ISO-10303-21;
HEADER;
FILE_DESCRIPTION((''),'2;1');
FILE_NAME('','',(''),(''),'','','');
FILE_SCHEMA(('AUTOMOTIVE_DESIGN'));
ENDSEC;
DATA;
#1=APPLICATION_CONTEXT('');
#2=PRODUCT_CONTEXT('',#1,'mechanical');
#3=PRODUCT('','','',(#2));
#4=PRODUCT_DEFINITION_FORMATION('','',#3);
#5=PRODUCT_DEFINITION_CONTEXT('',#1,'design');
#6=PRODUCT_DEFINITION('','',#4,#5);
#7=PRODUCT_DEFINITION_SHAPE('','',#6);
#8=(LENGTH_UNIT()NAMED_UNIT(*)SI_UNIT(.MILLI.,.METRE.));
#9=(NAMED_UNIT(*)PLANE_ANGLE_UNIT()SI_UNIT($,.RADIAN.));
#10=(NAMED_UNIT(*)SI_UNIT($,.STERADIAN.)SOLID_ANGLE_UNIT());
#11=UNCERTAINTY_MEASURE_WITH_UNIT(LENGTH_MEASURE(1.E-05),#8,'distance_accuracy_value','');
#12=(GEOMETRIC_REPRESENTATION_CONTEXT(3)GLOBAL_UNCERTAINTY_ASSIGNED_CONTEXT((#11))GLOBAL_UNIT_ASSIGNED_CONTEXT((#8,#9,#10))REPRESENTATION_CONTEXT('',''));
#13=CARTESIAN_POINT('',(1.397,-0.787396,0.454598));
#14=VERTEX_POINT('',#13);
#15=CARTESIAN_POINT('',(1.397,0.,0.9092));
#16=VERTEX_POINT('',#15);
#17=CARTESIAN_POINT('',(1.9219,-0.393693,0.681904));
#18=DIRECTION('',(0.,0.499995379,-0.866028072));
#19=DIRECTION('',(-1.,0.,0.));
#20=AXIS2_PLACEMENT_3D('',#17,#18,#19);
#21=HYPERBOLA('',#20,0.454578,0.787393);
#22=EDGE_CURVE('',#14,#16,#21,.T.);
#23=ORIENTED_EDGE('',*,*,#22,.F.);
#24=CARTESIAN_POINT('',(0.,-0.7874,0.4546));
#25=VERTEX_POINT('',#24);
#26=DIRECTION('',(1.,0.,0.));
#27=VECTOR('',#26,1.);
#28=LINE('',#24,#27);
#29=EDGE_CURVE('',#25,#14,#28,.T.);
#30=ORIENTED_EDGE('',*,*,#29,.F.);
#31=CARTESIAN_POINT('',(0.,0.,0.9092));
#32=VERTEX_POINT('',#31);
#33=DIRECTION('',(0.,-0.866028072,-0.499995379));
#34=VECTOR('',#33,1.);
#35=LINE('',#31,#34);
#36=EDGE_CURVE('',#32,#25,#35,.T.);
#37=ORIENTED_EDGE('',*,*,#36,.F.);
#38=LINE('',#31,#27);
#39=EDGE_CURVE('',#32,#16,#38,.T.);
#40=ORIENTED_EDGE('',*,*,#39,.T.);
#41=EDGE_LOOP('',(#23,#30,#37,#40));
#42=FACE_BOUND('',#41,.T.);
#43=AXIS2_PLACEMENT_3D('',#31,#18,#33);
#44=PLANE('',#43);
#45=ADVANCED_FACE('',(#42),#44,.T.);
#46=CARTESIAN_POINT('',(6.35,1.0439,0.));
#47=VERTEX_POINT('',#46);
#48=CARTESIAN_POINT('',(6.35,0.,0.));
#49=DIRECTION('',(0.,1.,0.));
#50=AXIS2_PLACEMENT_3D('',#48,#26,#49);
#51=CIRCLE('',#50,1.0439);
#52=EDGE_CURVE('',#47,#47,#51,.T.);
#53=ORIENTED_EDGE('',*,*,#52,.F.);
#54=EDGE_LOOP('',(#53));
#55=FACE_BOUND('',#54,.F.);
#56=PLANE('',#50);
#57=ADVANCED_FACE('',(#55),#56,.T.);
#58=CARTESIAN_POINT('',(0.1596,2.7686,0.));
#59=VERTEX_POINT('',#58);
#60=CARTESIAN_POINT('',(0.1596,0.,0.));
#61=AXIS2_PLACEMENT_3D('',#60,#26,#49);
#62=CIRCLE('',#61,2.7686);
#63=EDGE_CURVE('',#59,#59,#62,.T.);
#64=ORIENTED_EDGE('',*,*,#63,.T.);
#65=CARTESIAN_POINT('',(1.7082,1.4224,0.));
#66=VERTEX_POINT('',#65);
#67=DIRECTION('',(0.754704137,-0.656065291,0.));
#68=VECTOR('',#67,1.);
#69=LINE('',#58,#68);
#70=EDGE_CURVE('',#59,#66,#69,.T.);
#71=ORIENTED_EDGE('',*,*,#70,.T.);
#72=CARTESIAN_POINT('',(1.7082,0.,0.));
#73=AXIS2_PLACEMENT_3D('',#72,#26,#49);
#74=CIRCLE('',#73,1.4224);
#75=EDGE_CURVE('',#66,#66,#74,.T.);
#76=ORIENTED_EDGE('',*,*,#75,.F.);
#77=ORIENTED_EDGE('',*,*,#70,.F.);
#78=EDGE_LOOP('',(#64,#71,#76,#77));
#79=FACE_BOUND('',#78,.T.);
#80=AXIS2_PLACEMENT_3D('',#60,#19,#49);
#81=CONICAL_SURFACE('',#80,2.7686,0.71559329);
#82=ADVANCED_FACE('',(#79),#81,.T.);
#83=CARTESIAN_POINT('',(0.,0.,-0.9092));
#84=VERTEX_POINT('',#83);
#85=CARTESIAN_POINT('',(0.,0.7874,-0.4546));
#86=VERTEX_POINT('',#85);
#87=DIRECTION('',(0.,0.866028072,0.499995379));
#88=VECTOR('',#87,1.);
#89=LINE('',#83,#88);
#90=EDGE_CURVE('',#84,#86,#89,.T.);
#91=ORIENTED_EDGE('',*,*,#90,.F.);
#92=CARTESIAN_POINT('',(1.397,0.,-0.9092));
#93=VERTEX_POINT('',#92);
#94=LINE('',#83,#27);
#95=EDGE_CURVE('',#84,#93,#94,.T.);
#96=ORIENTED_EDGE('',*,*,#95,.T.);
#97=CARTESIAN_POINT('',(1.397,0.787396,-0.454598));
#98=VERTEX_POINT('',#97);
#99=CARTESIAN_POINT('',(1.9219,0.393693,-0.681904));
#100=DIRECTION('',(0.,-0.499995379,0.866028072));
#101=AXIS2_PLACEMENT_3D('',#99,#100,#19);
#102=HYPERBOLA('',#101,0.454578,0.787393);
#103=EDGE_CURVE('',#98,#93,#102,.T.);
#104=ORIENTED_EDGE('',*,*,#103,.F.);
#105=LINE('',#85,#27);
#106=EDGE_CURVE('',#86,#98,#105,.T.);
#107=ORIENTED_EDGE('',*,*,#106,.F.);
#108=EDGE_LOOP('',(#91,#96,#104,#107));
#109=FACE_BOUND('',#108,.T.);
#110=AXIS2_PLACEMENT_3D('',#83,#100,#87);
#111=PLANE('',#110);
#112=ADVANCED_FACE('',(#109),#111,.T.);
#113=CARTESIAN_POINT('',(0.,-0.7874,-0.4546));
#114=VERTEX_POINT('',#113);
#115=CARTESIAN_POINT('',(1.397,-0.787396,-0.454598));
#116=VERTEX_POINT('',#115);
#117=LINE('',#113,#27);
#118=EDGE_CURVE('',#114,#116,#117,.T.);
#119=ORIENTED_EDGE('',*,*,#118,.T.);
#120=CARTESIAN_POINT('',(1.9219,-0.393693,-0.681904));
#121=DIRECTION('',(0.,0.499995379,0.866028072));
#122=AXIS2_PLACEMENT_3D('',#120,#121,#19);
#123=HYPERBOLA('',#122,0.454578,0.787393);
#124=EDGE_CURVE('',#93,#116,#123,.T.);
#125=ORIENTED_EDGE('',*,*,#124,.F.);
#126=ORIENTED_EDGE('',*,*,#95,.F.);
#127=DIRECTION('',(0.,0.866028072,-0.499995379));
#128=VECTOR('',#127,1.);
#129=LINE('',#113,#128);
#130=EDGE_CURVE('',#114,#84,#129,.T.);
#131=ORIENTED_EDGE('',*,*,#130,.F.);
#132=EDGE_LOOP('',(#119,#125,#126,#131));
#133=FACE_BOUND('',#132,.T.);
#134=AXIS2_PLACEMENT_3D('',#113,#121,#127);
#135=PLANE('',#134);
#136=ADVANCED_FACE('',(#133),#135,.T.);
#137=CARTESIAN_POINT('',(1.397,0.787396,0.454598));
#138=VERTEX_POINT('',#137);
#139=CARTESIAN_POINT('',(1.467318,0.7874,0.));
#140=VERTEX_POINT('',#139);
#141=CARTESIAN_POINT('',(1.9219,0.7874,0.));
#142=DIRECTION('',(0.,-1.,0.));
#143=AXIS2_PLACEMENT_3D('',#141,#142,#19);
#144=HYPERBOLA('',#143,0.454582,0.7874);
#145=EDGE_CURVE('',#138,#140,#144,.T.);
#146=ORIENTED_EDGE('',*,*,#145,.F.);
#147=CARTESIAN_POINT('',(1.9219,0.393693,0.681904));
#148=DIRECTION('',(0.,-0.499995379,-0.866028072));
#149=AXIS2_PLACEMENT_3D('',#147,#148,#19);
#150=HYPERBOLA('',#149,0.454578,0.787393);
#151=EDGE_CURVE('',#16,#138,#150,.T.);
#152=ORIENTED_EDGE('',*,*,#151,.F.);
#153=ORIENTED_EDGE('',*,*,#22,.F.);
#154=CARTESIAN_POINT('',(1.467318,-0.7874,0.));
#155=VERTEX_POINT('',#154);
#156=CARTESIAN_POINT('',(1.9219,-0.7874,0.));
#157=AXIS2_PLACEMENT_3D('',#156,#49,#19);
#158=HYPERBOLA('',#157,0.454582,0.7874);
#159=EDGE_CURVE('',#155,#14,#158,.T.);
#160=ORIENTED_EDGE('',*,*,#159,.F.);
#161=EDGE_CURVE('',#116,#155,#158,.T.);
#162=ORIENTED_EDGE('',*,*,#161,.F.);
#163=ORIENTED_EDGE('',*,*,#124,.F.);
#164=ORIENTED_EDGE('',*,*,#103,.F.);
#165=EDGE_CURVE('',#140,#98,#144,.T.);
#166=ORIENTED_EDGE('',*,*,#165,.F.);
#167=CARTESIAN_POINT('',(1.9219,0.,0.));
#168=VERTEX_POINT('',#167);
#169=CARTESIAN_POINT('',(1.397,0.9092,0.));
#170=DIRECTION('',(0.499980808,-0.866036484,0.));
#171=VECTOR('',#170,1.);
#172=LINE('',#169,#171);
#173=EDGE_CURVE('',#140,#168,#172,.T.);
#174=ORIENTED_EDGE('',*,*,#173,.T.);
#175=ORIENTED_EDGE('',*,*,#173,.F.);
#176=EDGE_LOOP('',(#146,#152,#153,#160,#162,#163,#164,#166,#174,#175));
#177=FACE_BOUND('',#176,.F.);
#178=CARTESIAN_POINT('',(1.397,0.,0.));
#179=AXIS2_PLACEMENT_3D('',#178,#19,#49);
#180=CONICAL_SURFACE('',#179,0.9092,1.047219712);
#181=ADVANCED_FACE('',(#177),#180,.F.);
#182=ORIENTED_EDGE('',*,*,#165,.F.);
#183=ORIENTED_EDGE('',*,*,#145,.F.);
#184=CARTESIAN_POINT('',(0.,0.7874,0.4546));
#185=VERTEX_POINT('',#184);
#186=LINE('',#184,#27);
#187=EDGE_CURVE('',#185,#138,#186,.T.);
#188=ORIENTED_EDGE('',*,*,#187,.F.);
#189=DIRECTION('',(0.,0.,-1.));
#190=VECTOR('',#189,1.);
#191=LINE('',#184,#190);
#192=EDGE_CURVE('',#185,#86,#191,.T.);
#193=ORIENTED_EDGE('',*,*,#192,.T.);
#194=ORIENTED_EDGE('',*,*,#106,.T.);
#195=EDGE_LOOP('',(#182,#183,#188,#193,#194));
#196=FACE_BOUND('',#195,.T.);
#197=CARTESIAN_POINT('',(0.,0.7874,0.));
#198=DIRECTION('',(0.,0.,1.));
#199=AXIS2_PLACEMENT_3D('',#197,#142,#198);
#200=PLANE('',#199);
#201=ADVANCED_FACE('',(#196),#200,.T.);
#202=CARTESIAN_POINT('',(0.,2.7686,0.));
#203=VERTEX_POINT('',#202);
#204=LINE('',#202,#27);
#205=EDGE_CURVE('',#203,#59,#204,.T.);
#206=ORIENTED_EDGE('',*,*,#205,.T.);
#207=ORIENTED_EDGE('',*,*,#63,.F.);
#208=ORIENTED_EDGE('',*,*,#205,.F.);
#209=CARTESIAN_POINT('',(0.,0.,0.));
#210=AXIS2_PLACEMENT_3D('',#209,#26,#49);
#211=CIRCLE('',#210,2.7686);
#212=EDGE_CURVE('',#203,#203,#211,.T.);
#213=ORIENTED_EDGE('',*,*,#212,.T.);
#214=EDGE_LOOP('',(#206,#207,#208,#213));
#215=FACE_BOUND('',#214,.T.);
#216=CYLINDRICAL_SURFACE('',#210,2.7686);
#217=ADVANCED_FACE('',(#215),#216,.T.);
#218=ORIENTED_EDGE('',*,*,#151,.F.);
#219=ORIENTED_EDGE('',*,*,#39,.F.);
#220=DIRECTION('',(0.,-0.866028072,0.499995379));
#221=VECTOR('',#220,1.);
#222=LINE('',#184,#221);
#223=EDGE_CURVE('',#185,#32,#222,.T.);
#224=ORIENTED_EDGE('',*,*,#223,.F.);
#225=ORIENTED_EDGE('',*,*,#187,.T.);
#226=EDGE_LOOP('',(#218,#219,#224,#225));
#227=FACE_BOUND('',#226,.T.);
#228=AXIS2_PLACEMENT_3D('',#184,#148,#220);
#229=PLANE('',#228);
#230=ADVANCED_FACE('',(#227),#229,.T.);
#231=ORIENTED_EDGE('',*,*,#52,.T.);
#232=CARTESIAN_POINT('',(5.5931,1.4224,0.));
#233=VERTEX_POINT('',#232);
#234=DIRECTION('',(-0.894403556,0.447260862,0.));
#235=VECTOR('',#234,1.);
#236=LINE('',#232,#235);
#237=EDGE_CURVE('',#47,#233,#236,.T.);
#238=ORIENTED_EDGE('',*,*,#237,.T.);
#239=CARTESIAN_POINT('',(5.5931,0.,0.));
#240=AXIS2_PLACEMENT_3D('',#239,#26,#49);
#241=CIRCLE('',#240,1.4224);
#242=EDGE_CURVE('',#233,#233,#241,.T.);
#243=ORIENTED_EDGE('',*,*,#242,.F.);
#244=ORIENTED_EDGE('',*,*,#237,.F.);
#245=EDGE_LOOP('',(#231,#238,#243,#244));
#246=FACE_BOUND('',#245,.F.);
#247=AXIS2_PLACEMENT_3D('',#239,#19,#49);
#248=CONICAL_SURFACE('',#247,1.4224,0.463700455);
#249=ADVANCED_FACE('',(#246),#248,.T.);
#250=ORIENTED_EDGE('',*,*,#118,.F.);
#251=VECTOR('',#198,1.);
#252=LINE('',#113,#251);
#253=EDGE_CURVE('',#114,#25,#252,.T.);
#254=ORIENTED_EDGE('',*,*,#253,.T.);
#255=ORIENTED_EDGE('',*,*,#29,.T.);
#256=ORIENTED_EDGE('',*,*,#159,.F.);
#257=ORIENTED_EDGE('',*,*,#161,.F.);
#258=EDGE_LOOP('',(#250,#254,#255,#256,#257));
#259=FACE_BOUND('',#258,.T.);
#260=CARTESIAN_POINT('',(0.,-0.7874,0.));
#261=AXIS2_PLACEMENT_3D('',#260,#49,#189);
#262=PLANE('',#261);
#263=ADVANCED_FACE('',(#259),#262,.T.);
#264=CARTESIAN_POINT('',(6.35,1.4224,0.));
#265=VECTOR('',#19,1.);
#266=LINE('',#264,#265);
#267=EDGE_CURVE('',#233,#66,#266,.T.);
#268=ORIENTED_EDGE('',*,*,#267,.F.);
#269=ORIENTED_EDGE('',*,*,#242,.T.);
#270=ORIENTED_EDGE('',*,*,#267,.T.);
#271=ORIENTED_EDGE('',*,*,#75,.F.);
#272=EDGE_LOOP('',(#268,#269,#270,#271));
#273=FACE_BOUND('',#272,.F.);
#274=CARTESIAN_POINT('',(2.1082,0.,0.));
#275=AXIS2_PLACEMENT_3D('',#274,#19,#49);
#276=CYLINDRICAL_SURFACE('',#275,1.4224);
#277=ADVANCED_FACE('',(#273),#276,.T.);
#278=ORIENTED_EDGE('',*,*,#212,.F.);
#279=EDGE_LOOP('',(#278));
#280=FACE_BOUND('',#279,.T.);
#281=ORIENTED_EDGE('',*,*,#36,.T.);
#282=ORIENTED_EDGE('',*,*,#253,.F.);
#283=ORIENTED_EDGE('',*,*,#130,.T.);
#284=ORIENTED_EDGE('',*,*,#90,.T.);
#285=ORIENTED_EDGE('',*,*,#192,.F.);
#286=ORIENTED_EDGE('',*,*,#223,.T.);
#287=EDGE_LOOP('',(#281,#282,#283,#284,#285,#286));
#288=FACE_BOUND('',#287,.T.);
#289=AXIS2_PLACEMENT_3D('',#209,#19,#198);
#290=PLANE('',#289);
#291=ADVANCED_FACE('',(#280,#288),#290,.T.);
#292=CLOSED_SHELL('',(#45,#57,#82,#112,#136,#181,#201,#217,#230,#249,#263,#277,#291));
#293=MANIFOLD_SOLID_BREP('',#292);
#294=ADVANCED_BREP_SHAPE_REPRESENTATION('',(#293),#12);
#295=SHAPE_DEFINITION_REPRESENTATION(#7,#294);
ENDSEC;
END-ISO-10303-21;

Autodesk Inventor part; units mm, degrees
ref_plane "YZ Plane" through (0, 0, 0) normal (1, 0, 0) x (0, 1, 0)
ref_plane "XZ Plane" through (0, 0, 0) normal (0, 1, 0) x (-1, 0, 0)
sketch "Skizze1" plane through (0, 0, 0) normal (0, 0, 1) x (1, 0, 0)
  line L0 (6.35, 0) -> (6.35, 1.4224)
  line L1 (6.35, 1.4224) -> (3.6957, 1.4224)
  line L2 (3.6957, 1.4224) -> (2.1082, 1.4224)
  line L3 (0, 2.7686) -> (0, 0.9092)
  line L4 (0, 0.9092) -> (1.397, 0.9092)
  line L5 (1.397, 0.9092) -> (1.9219, 0)
  line L6 (1.9219, 0) -> (6.35, 0)
  line L7 (0, 2.7686) -> (0.1596, 2.7686)
  line L8 (0.1596, 2.7686) -> (1.7082, 1.4224)
  line L9 (2.1082, 1.4224) -> (1.7082, 1.4224)
  line L10 (3.6957, 1.4224) -> (1.7082, 1.4224) construction
  line L11 (1.7082, 1.4224) -> (1.7082, 1.4224)
  line L12 (-1.27, 0) -> (7.62, 0) projected
  line L13 (0, -0.5537) -> (0, 3.3223) projected
  dimension "d0" = 6.35
  dimension "d1" = 2.6543
  dimension "d2" = 1.397
  dimension "d3" = 2.8448
  dimension "d6" = 1.7082
  dimension "d7" = 41
  dimension "d8" = 1.8184
  dimension "d9" = 60
  dimension "d10" = 5.5372
  dimension "d11" = 2.8448
  dimension "d12" = 1.5875
revolve "Körper" add sketch "Skizze1" angle 360 about axis through (1.9219, 0, 0) along (1, 0, 0) contours L6 L5 L4 L3 L7 L8 L9 L2 L1 L0
sketch "Skizze2" plane through (0, 0, 0) normal (-1, 0, 0) x (0, 0, 1)
  circle A0 centre (0, 0) radius 0.9092 projected
  line L0 (0, -3.876) -> (0, 3.876) projected
  line L1 (-3.876, 0) -> (3.876, 0) projected
  line L2 (0.9092, 0) -> (0.4546, -0.7874)
  line L3 (0.4546, -0.7874) -> (-0.4546, -0.7874)
  line L4 (-0.4546, -0.7874) -> (-0.9092, 0)
  line L5 (-0.9092, 0) -> (-0.4546, 0.7874)
  line L6 (-0.4546, 0.7874) -> (0.4546, 0.7874)
  line L7 (0.4546, 0.7874) -> (0.9092, 0)
  point P0 (0, 0.9092)
extrude "Loch" add sketch "Skizze2" against normal up to next contours L7 A0 | A0 L2 | L6 L0 A0 | A0 L0 L3 | L0 L6 A0 | A0 L3 L0 | L4 A0 | A0 L5
thread "Gewinde" size "4-40 UNC" class "2A" standard "ANSI Unified Screw Threads" length 2.6543
chamfer "Fase1" distance 0.3785 distance2 0.7569 1 edges at (6.35, -1.4224, 0) measured on face at (6.35, -0.1427, 0.3949)
ref_plane "Work Plane1" through (104.775, 0, 0) normal (0, 0, -1) x (1, 0, 0)
equation "\"d15\" = GEL"
equation "\"d17\" = -0.5 * SPD + 0.5 * GD"
equation "\"d18\" = GUL"
equation "\"d0\" = NLG"
equation "\"d1\" = GEL"
equation "\"d2\" = INTI"
equation "\"d3\" = GD"
equation "\"d7\" = 0.5 * SEWI"
equation "\"d8\" = 1.1547 * SW"
equation "\"d10\" = KOD"
equation "\"d11\" = BDM"
equation "\"d12\" = GAL"
equation "\"NLG\" = 6.35"
equation "\"INTI\" = 1.397"
equation "\"GEL\" = 2.6543"
equation "\"GAL\" = 1.5875"
equation "\"KOH\" = 2.1082"
equation "\"KOD\" = 5.5372"
equation "\"GUL\" = 0.75692"
equation "\"SPD\" = 2.08788"
equation "\"BDM\" = NND"
equation "\"GD\" = NND"
equation "\"SEWI\" = 82deg"
equation "\"SW\" = 1.5748"
equation "\"TOA\" = 30deg"
equation "\"GD1\" = SPD"
equation "\"THREADDIA\" = 2.8448"
equation "\"HHPTC\" = 0.635"
equation "\"NND\" = 2.8448"
equation "\"E0\" = 1.155 * SW"
properties part number "ANSI B18.3 - 4-40 UNC x 0,25" material "Edelstahl"
